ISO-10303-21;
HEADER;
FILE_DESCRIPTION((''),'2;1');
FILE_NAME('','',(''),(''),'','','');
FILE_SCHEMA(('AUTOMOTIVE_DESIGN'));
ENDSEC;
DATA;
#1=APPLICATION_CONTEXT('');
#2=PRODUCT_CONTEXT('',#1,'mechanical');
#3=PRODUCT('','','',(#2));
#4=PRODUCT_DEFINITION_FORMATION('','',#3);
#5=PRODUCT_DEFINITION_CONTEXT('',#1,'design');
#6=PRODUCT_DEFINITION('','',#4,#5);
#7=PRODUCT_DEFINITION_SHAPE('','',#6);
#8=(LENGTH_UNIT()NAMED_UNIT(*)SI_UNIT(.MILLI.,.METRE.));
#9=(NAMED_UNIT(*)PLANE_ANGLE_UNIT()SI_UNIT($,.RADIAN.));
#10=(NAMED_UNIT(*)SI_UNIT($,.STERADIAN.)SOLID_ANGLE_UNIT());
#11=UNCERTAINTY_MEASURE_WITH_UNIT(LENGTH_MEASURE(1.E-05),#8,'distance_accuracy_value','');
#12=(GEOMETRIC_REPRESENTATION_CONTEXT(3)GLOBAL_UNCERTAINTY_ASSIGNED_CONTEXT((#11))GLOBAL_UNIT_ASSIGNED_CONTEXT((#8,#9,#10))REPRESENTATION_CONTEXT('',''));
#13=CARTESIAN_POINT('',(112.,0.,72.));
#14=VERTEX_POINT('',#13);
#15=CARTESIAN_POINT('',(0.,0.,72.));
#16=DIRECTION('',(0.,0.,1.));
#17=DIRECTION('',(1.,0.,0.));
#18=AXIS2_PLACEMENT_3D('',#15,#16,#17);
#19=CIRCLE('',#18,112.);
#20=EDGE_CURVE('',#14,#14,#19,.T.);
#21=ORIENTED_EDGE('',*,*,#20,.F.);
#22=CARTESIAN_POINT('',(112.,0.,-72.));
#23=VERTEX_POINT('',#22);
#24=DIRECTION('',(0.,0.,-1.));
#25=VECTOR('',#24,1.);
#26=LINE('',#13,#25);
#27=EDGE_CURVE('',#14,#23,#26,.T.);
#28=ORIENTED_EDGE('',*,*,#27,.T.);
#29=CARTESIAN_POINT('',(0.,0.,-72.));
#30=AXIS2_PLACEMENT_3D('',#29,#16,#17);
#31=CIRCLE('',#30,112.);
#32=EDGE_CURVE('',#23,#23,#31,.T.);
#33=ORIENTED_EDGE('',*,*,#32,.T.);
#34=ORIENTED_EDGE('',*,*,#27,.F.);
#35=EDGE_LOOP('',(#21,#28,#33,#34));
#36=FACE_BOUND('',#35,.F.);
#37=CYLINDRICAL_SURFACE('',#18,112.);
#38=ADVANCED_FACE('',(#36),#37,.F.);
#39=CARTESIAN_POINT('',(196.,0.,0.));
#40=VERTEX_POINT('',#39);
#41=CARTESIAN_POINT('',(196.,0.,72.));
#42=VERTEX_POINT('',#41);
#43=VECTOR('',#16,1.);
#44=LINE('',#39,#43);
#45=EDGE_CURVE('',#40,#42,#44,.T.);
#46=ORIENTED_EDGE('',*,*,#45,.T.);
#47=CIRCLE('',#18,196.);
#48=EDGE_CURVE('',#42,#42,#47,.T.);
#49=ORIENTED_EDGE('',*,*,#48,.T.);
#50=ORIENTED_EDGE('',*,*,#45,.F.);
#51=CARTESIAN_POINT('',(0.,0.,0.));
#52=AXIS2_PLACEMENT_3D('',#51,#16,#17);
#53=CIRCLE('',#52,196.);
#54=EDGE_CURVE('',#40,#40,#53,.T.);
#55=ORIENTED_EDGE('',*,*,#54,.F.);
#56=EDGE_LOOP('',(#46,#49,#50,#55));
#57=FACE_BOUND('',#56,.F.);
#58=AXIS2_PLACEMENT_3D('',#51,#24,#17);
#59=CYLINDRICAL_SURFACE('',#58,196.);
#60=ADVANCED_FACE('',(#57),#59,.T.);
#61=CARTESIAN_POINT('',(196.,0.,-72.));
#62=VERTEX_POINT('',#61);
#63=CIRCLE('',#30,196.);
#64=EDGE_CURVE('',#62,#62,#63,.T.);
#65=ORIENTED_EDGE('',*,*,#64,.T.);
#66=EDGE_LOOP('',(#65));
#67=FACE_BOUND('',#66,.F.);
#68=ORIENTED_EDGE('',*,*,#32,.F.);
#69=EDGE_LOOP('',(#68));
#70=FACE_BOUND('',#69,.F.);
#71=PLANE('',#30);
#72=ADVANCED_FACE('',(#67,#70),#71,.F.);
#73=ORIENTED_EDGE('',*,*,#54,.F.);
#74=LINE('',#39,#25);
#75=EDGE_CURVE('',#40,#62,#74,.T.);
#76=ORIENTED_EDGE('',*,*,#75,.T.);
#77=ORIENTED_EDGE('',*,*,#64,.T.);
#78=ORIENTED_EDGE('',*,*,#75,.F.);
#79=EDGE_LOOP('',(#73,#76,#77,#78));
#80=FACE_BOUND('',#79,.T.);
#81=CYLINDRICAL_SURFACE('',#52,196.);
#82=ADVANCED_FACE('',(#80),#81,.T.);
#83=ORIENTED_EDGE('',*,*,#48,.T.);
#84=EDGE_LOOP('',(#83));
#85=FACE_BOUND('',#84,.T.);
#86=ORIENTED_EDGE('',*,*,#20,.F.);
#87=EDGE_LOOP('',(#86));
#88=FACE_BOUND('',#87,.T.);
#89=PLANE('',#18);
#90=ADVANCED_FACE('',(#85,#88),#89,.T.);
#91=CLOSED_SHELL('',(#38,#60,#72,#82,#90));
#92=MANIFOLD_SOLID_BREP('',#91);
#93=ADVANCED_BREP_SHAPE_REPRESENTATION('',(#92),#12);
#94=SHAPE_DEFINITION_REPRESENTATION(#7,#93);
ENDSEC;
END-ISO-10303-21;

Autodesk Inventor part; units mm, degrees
ref_plane "YZ Plane" through (0, 0, 0) normal (1, 0, 0) x (0, 1, 0)
ref_plane "XZ Plane" through (0, 0, 0) normal (0, 1, 0) x (-1, 0, 0)
ref_plane "XY Plane" through (0, 0, 0) normal (0, 0, 1) x (1, 0, 0)
sketch "Sketch1" plane through (0, 0, 0) normal (0, 0, 1) x (1, 0, 0)
  circle A0 centre (0, 0) radius 196
  dimension "d0" = 392
extrude "Extrusion1" add sketch "Sketch1" along normal mid plane 144
sketch "Sketch2" plane through (0, 0, 72) normal (0, 0, 1) x (1, 0, 0)
  circle A0 centre (0, 0) radius 112
  dimension "d3" = 224
extrude "Extrusion2" cut sketch "Sketch2" against normal through all
properties part number "ALPHA-II-T3"
